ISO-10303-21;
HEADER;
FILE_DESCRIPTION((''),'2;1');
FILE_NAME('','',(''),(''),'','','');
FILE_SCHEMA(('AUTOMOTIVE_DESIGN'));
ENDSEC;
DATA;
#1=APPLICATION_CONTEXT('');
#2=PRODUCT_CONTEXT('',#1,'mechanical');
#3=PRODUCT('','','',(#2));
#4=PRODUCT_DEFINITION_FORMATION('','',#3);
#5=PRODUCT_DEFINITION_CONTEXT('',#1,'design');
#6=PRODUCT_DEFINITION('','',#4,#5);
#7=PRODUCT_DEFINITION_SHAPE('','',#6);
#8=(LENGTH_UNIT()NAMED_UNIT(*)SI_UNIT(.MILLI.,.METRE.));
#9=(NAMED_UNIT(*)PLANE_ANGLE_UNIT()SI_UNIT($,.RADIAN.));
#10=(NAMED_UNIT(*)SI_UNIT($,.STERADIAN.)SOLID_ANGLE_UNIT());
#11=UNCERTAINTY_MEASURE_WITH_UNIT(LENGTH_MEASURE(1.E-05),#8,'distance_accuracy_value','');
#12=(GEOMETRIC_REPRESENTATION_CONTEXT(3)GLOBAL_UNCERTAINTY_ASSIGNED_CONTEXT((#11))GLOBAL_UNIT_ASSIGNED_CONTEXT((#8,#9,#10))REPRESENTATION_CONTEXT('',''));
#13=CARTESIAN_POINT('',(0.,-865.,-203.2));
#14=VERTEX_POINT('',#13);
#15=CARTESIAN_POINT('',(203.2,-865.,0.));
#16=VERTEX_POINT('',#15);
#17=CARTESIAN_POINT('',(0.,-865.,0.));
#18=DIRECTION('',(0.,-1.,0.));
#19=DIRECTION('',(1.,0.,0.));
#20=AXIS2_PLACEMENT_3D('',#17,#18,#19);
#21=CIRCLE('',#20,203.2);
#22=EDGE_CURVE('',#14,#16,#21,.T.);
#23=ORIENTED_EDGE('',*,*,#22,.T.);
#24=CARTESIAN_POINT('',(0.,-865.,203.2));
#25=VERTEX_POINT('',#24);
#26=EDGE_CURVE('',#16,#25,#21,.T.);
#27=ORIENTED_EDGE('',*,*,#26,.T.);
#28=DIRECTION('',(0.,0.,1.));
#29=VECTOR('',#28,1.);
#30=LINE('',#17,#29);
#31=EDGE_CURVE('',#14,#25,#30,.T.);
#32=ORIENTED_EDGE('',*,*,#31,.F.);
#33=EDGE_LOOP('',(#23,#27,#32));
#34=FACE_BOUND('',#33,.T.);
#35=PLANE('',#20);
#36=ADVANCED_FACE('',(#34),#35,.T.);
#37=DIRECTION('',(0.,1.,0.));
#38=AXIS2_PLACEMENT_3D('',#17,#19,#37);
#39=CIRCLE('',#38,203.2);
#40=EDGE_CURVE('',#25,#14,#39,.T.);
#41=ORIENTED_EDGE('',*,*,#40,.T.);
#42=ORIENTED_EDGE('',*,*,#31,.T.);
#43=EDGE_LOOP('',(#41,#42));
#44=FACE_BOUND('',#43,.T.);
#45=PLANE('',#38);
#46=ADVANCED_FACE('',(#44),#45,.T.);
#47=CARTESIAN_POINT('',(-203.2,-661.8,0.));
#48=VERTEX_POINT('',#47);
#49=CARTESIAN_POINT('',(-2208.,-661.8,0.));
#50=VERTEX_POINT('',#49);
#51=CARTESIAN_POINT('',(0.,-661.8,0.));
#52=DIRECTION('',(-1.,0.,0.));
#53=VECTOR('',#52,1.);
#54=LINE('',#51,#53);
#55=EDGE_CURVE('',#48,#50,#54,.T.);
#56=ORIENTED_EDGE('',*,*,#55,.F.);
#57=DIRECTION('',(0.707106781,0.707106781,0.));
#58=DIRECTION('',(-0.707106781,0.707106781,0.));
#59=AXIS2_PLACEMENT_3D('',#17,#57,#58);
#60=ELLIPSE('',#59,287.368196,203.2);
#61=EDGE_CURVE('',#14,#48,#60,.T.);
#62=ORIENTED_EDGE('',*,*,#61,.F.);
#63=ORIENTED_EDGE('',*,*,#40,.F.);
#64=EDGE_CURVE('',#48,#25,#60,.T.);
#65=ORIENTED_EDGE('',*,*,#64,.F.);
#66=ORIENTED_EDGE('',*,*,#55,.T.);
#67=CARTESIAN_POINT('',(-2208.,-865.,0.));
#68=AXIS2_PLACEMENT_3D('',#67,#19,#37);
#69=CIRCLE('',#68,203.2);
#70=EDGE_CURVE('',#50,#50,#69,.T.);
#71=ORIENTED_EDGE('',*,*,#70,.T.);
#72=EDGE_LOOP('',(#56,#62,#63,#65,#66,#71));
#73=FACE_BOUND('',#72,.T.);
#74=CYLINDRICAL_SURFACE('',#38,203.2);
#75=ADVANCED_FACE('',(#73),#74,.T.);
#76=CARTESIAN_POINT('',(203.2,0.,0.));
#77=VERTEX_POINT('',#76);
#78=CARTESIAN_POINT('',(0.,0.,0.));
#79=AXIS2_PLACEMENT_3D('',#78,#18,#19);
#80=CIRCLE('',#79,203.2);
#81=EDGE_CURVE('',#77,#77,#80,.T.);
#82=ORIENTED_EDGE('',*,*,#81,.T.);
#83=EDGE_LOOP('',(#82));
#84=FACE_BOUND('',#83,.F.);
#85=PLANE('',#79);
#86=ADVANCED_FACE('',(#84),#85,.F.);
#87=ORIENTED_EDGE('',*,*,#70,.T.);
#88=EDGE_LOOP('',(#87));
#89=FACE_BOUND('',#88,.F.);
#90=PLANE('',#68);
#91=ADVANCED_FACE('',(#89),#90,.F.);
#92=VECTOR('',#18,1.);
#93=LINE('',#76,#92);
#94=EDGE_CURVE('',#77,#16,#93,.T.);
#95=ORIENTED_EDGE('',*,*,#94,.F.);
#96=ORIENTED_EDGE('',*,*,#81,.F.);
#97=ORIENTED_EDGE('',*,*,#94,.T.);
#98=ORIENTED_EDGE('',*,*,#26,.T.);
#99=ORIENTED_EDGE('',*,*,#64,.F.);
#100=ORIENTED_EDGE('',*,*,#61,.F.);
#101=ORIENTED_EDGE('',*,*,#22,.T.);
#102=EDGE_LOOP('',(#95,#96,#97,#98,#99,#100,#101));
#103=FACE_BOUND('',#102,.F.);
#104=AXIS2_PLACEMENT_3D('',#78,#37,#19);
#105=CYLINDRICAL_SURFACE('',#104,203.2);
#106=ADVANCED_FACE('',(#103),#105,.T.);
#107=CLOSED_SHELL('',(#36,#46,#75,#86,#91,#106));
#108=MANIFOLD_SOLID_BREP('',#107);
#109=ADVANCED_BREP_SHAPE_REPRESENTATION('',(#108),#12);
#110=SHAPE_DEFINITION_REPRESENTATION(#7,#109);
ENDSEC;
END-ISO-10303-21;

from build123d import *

# Parameters (mm, degrees)
F1_R     = 203.2
F2_DEPTH = 865
F3_R     = 203.2
F4_DEPTH = 2208


with BuildPart() as f2:
    # F1 (on Front) → F2 (new body)
    with BuildSketch(Plane.XZ):
        Circle(F1_R)
    extrude(amount=F2_DEPTH)

    # F3 (on Right) → F4 (join)
    with BuildSketch(Plane.YZ):
        with Locations((-865, 0)):
            Circle(F3_R)
    extrude(amount=-F4_DEPTH)


solid = f2.part
